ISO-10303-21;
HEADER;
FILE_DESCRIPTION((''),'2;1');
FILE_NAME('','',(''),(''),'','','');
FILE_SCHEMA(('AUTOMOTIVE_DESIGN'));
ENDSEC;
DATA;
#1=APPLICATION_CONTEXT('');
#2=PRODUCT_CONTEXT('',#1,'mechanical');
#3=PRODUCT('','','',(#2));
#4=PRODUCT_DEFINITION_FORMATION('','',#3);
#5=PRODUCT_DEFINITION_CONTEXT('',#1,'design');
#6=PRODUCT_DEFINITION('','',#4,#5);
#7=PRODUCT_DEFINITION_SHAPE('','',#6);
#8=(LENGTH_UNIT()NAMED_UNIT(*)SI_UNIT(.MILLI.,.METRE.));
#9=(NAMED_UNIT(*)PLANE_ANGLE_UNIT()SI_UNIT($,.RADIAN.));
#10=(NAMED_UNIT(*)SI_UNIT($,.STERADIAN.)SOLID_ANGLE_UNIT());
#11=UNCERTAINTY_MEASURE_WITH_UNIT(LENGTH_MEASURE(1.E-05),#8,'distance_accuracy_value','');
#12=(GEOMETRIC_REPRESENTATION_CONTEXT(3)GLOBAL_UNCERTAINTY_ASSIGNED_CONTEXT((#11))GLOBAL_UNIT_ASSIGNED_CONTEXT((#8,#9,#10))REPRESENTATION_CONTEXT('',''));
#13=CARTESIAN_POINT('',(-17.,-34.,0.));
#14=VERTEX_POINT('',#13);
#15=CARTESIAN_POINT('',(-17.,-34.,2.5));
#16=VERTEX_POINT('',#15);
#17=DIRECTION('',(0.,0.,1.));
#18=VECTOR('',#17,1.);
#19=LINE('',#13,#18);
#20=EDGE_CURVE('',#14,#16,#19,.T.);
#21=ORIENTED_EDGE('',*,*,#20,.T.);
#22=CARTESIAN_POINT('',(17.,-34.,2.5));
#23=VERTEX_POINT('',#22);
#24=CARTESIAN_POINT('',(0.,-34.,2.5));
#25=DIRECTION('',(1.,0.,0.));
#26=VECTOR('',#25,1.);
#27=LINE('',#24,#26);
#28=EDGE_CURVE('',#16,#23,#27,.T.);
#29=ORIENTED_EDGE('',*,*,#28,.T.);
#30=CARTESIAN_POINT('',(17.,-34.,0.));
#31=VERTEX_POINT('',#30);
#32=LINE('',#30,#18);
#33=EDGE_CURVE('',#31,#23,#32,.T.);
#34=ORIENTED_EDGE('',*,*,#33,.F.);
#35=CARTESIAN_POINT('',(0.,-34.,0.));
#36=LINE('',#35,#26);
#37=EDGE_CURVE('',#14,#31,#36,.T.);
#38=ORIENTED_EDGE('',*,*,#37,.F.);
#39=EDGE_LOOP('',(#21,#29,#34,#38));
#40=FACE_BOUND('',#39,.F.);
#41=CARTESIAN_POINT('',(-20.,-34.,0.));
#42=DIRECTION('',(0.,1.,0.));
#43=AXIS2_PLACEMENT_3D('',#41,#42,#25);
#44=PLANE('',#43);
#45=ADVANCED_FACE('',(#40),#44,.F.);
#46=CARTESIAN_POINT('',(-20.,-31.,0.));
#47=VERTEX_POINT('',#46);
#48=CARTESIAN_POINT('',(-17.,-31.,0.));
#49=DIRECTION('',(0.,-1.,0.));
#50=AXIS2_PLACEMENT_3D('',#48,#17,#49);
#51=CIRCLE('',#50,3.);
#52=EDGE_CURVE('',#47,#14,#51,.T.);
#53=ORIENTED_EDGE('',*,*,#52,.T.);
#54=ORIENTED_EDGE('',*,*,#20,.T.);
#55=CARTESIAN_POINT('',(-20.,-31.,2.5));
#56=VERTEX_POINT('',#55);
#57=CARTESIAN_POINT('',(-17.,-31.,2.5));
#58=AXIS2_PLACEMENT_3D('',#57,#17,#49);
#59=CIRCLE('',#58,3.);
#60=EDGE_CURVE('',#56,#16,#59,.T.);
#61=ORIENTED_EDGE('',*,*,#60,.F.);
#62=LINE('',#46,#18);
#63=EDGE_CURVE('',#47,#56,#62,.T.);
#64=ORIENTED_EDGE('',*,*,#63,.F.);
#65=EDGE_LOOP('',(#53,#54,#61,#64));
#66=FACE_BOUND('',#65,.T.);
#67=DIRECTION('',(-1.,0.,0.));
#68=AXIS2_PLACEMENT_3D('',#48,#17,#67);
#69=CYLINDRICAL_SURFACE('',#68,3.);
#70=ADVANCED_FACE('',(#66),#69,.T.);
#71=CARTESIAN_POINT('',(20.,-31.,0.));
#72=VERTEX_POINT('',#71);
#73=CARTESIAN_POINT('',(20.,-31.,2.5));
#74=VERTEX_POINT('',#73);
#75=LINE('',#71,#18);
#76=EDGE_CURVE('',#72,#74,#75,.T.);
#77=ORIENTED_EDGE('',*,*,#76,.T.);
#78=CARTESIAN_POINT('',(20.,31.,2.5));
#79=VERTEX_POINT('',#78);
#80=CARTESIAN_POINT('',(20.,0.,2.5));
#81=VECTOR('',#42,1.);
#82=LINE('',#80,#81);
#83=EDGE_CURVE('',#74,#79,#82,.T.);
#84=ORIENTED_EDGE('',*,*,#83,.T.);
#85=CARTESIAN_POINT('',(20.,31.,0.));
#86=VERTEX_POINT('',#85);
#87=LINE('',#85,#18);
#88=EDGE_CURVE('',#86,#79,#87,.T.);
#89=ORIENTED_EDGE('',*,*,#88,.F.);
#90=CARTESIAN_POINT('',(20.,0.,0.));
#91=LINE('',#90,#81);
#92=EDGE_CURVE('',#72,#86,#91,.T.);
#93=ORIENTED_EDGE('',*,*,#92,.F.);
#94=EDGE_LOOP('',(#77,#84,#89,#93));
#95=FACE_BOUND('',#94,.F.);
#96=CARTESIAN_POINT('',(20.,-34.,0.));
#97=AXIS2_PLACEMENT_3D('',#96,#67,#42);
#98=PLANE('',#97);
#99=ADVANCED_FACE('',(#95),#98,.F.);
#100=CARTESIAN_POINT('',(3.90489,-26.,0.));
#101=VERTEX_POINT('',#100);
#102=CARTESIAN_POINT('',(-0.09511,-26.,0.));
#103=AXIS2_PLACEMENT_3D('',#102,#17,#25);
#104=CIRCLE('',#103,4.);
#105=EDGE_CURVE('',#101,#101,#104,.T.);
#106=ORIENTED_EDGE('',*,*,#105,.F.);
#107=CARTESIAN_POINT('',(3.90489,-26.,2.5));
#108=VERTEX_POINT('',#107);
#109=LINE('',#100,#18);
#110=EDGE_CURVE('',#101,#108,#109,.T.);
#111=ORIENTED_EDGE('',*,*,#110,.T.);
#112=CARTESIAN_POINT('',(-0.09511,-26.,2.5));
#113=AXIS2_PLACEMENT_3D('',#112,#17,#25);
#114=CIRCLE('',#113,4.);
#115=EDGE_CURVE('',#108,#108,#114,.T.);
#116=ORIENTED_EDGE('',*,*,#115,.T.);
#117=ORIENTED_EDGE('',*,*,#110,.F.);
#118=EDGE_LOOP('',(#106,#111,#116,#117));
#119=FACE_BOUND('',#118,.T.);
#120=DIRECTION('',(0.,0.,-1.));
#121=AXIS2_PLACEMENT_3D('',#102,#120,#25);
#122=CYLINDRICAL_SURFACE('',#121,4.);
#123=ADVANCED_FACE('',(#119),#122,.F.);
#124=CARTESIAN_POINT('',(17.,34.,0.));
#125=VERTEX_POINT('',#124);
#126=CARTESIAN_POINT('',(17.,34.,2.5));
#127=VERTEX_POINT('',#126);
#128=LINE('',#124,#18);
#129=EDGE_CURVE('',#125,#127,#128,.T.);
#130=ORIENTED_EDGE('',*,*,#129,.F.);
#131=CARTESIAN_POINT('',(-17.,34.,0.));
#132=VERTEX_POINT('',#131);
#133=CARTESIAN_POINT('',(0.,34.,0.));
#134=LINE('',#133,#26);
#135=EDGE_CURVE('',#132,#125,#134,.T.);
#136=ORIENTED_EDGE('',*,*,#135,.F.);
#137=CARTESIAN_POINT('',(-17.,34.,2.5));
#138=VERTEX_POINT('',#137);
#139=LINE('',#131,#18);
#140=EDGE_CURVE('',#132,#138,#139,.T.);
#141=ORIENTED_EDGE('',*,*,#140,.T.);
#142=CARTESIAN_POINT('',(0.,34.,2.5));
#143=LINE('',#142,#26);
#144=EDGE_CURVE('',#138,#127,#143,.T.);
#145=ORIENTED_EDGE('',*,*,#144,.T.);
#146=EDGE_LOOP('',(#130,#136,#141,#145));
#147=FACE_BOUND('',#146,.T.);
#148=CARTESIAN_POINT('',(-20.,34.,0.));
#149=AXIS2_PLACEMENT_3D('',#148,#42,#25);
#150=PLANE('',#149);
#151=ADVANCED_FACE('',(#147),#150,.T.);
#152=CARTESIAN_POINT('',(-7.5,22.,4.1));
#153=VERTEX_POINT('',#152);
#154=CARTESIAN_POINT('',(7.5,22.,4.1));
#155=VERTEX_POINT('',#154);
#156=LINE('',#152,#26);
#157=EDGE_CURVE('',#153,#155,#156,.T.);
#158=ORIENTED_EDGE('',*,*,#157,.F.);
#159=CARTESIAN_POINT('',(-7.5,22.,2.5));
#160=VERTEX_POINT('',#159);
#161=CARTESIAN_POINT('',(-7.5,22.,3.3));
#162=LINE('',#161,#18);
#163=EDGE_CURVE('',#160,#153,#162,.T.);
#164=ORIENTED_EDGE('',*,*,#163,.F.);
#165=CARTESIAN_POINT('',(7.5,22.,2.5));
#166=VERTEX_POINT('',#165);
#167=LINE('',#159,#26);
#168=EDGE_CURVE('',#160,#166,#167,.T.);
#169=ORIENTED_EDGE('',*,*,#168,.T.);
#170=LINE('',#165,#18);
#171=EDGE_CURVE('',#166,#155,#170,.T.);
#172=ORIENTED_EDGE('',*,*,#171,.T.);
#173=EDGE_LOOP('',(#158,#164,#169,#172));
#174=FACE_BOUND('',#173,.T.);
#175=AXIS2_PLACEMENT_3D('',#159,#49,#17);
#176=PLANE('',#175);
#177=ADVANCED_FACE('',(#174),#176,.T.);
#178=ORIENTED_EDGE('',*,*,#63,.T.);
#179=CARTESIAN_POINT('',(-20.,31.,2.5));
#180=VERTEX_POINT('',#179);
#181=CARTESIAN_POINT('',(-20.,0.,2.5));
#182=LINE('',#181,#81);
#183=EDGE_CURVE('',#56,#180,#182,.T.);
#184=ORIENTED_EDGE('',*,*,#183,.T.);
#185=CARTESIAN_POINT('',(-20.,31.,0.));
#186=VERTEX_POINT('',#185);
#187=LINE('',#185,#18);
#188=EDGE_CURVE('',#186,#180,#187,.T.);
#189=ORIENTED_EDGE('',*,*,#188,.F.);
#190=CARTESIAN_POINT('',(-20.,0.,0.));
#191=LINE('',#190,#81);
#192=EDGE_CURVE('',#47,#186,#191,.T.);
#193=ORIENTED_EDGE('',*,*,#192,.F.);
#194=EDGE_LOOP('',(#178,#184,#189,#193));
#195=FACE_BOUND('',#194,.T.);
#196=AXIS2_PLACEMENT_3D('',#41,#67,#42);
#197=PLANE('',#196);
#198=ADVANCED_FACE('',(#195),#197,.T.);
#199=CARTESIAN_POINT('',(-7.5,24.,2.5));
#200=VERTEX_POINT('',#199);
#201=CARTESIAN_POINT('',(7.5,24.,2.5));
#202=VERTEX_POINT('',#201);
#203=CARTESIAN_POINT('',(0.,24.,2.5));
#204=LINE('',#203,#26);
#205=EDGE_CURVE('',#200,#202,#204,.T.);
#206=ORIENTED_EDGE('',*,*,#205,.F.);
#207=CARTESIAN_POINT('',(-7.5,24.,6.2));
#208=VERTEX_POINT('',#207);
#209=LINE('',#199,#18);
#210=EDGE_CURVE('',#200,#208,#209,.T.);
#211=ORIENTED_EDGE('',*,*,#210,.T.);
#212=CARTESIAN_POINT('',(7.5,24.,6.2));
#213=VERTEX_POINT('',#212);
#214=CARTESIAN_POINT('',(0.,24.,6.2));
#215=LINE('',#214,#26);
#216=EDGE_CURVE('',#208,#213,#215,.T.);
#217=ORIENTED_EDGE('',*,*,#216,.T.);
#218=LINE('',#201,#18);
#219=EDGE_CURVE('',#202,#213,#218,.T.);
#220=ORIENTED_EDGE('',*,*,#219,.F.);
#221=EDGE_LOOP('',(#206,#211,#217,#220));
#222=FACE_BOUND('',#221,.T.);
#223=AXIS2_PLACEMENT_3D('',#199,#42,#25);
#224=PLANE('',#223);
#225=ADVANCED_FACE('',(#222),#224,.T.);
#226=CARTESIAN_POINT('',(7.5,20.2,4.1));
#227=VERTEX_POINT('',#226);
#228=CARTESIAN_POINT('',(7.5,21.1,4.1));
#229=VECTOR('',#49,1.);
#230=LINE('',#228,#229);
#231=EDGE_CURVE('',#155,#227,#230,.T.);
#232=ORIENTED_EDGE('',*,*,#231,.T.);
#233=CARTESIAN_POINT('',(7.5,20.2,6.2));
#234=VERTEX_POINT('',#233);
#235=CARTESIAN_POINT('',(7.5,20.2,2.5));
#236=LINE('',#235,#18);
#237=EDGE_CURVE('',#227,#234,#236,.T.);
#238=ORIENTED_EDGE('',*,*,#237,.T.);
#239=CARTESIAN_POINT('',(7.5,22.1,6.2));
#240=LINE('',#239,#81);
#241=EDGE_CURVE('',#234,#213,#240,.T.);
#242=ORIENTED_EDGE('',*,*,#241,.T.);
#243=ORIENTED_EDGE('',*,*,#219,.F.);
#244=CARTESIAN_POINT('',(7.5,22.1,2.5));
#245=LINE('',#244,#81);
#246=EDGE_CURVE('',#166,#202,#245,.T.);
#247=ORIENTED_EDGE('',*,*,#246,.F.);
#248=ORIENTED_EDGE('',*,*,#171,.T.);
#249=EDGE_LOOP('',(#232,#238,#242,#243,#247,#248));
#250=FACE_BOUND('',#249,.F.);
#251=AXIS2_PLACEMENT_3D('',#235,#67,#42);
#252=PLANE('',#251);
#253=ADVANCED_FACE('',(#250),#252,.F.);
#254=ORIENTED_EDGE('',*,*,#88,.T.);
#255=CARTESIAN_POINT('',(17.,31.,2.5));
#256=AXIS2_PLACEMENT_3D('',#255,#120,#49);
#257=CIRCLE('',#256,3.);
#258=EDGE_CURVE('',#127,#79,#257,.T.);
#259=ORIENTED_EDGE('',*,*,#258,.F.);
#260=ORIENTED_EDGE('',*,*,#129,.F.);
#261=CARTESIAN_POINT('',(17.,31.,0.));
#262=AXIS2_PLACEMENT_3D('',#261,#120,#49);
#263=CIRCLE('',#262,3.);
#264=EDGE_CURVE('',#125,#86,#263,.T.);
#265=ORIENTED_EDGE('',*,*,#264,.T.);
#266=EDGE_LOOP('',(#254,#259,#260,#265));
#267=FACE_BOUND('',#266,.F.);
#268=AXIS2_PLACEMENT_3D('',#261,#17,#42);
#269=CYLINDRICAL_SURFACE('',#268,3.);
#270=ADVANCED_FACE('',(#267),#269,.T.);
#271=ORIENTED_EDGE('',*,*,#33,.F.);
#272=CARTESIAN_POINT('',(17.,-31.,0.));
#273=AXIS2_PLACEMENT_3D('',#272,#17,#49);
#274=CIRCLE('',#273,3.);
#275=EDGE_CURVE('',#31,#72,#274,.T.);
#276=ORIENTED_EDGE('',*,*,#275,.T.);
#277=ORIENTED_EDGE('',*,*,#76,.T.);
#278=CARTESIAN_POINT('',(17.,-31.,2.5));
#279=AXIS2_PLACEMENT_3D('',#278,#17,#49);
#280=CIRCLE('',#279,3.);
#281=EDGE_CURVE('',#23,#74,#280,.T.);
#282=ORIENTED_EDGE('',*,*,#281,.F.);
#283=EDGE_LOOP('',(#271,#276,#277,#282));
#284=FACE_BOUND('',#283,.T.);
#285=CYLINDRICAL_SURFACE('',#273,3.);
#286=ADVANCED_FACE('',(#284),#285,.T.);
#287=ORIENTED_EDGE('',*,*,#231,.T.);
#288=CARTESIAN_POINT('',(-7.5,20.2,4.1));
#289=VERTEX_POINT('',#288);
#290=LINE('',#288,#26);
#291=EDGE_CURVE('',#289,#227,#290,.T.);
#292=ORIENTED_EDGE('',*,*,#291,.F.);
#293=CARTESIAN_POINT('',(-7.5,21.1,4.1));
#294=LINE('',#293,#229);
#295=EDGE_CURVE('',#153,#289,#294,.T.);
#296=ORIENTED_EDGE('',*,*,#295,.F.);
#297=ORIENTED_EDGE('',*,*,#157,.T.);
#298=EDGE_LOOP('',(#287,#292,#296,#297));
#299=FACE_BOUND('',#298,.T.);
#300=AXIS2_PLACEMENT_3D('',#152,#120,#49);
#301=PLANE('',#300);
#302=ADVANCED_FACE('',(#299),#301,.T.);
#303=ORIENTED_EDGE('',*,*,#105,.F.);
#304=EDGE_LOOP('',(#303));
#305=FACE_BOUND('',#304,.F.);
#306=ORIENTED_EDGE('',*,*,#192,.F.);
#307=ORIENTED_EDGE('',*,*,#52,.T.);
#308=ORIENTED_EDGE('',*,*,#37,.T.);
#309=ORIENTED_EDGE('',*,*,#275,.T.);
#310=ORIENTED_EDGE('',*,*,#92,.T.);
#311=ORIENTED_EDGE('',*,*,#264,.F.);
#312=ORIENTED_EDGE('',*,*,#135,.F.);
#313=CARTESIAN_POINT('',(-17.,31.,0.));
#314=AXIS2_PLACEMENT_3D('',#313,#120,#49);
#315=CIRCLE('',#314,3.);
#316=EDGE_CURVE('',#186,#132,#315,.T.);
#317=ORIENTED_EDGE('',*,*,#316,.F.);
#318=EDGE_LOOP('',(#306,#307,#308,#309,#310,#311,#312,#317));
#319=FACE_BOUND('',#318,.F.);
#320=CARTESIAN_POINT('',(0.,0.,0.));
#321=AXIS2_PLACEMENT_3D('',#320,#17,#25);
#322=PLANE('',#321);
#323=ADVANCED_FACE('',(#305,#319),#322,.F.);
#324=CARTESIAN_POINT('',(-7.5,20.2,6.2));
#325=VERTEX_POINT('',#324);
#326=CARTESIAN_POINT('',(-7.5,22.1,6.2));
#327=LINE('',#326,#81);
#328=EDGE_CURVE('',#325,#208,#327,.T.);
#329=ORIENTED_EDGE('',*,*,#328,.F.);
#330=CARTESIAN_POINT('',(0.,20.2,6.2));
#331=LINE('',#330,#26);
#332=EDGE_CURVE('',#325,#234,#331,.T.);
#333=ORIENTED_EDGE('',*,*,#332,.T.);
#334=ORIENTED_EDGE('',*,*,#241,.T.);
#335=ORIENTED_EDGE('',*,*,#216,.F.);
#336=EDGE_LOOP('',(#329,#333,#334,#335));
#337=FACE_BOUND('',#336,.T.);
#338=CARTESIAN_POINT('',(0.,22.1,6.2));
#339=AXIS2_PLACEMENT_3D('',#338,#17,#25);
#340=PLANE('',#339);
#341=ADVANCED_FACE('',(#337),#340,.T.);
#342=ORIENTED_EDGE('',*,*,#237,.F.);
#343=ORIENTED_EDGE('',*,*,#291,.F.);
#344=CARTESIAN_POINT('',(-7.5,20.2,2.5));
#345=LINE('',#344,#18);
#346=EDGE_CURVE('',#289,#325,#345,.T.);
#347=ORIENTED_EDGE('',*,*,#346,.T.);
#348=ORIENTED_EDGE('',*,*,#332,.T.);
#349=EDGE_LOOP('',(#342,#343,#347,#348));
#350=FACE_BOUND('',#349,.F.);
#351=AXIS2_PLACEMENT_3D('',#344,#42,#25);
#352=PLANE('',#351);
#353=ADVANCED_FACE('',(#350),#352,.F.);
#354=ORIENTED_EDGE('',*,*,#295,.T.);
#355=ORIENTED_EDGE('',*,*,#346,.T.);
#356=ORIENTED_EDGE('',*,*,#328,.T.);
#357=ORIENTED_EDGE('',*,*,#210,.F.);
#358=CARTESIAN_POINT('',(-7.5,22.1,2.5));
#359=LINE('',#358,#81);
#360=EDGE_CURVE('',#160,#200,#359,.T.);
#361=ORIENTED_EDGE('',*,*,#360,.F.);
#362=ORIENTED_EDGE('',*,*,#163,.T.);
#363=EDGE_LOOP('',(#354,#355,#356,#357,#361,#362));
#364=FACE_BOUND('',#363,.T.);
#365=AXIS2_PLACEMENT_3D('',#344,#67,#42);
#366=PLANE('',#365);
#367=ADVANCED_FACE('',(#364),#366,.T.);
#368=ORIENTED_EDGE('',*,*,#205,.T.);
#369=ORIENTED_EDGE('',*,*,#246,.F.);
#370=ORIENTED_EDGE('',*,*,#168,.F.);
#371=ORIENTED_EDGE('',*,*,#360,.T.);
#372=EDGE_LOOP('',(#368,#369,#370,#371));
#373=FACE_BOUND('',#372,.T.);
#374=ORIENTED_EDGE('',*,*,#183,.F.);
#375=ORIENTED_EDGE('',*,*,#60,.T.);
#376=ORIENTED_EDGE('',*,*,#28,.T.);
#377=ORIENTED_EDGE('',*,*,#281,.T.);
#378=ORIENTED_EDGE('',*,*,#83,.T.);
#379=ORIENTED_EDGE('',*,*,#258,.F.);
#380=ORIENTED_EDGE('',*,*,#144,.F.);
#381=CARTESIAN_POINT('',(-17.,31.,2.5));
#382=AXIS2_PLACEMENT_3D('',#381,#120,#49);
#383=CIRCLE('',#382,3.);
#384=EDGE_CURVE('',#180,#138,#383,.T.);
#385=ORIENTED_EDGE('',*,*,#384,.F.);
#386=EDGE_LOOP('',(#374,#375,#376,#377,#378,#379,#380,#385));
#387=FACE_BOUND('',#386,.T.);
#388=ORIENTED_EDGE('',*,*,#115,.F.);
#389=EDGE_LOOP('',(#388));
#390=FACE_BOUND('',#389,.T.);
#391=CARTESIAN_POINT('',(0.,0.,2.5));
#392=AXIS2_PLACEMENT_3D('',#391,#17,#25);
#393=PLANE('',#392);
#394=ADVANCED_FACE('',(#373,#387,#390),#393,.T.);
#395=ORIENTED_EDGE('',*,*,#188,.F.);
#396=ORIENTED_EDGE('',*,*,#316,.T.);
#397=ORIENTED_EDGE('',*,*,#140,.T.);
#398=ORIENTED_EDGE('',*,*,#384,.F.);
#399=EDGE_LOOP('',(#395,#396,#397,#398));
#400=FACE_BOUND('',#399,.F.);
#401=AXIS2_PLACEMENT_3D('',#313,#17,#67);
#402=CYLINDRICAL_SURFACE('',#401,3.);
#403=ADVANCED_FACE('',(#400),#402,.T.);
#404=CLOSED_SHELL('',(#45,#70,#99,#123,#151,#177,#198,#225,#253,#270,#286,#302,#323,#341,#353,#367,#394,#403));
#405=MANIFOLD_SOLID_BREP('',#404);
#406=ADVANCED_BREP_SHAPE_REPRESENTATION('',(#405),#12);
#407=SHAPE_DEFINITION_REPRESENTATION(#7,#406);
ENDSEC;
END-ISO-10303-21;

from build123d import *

# Parameters (mm, degrees)
F0_W     = 40
F0_H     = 68
F0_R     = 4
F1_DEPTH = 2.5
F2_R     = 3
F3_W     = 15
F3_H     = 3.8
F4_DEPTH = 3.7
F5_W     = 1.8
F5_H     = 1.6
F6_DEPTH = 25


with BuildPart() as f1:
    # F0 (on Top) → F1 (new body)
    with BuildSketch(Plane.XY):
        Rectangle(F0_W, F0_H)
        with Locations((-0.09511, -26)):
            Circle(F0_R, mode=Mode.SUBTRACT)
    extrude(amount=F1_DEPTH)

    # F2
    f2_edges = [f1.edges().sort_by_distance(p)[0] for p in [
        (-20, 34, 1.25),
        (20, 34, 1.25),
        (-20, -34, 1.25),
        (20, -34, 1.25),
    ]]
    fillet(f2_edges, radius=F2_R)

    # F3 (on face) → F4 (join)
    with BuildSketch(Plane.XY.offset(2.5)):
        with Locations((0, 22.1)):
            Rectangle(F3_W, F3_H)
    extrude(amount=F4_DEPTH)

    # F5 (on face) → F6 (cut)
    with BuildSketch(Plane(origin=(-7.5, 0, 0), x_dir=(0, -1, 0), z_dir=(-1, 0, 0))):
        with Locations((-21.1, 3.3)):
            Rectangle(F5_W, F5_H)
    extrude(amount=-F6_DEPTH, mode=Mode.SUBTRACT)


solid = f1.part
